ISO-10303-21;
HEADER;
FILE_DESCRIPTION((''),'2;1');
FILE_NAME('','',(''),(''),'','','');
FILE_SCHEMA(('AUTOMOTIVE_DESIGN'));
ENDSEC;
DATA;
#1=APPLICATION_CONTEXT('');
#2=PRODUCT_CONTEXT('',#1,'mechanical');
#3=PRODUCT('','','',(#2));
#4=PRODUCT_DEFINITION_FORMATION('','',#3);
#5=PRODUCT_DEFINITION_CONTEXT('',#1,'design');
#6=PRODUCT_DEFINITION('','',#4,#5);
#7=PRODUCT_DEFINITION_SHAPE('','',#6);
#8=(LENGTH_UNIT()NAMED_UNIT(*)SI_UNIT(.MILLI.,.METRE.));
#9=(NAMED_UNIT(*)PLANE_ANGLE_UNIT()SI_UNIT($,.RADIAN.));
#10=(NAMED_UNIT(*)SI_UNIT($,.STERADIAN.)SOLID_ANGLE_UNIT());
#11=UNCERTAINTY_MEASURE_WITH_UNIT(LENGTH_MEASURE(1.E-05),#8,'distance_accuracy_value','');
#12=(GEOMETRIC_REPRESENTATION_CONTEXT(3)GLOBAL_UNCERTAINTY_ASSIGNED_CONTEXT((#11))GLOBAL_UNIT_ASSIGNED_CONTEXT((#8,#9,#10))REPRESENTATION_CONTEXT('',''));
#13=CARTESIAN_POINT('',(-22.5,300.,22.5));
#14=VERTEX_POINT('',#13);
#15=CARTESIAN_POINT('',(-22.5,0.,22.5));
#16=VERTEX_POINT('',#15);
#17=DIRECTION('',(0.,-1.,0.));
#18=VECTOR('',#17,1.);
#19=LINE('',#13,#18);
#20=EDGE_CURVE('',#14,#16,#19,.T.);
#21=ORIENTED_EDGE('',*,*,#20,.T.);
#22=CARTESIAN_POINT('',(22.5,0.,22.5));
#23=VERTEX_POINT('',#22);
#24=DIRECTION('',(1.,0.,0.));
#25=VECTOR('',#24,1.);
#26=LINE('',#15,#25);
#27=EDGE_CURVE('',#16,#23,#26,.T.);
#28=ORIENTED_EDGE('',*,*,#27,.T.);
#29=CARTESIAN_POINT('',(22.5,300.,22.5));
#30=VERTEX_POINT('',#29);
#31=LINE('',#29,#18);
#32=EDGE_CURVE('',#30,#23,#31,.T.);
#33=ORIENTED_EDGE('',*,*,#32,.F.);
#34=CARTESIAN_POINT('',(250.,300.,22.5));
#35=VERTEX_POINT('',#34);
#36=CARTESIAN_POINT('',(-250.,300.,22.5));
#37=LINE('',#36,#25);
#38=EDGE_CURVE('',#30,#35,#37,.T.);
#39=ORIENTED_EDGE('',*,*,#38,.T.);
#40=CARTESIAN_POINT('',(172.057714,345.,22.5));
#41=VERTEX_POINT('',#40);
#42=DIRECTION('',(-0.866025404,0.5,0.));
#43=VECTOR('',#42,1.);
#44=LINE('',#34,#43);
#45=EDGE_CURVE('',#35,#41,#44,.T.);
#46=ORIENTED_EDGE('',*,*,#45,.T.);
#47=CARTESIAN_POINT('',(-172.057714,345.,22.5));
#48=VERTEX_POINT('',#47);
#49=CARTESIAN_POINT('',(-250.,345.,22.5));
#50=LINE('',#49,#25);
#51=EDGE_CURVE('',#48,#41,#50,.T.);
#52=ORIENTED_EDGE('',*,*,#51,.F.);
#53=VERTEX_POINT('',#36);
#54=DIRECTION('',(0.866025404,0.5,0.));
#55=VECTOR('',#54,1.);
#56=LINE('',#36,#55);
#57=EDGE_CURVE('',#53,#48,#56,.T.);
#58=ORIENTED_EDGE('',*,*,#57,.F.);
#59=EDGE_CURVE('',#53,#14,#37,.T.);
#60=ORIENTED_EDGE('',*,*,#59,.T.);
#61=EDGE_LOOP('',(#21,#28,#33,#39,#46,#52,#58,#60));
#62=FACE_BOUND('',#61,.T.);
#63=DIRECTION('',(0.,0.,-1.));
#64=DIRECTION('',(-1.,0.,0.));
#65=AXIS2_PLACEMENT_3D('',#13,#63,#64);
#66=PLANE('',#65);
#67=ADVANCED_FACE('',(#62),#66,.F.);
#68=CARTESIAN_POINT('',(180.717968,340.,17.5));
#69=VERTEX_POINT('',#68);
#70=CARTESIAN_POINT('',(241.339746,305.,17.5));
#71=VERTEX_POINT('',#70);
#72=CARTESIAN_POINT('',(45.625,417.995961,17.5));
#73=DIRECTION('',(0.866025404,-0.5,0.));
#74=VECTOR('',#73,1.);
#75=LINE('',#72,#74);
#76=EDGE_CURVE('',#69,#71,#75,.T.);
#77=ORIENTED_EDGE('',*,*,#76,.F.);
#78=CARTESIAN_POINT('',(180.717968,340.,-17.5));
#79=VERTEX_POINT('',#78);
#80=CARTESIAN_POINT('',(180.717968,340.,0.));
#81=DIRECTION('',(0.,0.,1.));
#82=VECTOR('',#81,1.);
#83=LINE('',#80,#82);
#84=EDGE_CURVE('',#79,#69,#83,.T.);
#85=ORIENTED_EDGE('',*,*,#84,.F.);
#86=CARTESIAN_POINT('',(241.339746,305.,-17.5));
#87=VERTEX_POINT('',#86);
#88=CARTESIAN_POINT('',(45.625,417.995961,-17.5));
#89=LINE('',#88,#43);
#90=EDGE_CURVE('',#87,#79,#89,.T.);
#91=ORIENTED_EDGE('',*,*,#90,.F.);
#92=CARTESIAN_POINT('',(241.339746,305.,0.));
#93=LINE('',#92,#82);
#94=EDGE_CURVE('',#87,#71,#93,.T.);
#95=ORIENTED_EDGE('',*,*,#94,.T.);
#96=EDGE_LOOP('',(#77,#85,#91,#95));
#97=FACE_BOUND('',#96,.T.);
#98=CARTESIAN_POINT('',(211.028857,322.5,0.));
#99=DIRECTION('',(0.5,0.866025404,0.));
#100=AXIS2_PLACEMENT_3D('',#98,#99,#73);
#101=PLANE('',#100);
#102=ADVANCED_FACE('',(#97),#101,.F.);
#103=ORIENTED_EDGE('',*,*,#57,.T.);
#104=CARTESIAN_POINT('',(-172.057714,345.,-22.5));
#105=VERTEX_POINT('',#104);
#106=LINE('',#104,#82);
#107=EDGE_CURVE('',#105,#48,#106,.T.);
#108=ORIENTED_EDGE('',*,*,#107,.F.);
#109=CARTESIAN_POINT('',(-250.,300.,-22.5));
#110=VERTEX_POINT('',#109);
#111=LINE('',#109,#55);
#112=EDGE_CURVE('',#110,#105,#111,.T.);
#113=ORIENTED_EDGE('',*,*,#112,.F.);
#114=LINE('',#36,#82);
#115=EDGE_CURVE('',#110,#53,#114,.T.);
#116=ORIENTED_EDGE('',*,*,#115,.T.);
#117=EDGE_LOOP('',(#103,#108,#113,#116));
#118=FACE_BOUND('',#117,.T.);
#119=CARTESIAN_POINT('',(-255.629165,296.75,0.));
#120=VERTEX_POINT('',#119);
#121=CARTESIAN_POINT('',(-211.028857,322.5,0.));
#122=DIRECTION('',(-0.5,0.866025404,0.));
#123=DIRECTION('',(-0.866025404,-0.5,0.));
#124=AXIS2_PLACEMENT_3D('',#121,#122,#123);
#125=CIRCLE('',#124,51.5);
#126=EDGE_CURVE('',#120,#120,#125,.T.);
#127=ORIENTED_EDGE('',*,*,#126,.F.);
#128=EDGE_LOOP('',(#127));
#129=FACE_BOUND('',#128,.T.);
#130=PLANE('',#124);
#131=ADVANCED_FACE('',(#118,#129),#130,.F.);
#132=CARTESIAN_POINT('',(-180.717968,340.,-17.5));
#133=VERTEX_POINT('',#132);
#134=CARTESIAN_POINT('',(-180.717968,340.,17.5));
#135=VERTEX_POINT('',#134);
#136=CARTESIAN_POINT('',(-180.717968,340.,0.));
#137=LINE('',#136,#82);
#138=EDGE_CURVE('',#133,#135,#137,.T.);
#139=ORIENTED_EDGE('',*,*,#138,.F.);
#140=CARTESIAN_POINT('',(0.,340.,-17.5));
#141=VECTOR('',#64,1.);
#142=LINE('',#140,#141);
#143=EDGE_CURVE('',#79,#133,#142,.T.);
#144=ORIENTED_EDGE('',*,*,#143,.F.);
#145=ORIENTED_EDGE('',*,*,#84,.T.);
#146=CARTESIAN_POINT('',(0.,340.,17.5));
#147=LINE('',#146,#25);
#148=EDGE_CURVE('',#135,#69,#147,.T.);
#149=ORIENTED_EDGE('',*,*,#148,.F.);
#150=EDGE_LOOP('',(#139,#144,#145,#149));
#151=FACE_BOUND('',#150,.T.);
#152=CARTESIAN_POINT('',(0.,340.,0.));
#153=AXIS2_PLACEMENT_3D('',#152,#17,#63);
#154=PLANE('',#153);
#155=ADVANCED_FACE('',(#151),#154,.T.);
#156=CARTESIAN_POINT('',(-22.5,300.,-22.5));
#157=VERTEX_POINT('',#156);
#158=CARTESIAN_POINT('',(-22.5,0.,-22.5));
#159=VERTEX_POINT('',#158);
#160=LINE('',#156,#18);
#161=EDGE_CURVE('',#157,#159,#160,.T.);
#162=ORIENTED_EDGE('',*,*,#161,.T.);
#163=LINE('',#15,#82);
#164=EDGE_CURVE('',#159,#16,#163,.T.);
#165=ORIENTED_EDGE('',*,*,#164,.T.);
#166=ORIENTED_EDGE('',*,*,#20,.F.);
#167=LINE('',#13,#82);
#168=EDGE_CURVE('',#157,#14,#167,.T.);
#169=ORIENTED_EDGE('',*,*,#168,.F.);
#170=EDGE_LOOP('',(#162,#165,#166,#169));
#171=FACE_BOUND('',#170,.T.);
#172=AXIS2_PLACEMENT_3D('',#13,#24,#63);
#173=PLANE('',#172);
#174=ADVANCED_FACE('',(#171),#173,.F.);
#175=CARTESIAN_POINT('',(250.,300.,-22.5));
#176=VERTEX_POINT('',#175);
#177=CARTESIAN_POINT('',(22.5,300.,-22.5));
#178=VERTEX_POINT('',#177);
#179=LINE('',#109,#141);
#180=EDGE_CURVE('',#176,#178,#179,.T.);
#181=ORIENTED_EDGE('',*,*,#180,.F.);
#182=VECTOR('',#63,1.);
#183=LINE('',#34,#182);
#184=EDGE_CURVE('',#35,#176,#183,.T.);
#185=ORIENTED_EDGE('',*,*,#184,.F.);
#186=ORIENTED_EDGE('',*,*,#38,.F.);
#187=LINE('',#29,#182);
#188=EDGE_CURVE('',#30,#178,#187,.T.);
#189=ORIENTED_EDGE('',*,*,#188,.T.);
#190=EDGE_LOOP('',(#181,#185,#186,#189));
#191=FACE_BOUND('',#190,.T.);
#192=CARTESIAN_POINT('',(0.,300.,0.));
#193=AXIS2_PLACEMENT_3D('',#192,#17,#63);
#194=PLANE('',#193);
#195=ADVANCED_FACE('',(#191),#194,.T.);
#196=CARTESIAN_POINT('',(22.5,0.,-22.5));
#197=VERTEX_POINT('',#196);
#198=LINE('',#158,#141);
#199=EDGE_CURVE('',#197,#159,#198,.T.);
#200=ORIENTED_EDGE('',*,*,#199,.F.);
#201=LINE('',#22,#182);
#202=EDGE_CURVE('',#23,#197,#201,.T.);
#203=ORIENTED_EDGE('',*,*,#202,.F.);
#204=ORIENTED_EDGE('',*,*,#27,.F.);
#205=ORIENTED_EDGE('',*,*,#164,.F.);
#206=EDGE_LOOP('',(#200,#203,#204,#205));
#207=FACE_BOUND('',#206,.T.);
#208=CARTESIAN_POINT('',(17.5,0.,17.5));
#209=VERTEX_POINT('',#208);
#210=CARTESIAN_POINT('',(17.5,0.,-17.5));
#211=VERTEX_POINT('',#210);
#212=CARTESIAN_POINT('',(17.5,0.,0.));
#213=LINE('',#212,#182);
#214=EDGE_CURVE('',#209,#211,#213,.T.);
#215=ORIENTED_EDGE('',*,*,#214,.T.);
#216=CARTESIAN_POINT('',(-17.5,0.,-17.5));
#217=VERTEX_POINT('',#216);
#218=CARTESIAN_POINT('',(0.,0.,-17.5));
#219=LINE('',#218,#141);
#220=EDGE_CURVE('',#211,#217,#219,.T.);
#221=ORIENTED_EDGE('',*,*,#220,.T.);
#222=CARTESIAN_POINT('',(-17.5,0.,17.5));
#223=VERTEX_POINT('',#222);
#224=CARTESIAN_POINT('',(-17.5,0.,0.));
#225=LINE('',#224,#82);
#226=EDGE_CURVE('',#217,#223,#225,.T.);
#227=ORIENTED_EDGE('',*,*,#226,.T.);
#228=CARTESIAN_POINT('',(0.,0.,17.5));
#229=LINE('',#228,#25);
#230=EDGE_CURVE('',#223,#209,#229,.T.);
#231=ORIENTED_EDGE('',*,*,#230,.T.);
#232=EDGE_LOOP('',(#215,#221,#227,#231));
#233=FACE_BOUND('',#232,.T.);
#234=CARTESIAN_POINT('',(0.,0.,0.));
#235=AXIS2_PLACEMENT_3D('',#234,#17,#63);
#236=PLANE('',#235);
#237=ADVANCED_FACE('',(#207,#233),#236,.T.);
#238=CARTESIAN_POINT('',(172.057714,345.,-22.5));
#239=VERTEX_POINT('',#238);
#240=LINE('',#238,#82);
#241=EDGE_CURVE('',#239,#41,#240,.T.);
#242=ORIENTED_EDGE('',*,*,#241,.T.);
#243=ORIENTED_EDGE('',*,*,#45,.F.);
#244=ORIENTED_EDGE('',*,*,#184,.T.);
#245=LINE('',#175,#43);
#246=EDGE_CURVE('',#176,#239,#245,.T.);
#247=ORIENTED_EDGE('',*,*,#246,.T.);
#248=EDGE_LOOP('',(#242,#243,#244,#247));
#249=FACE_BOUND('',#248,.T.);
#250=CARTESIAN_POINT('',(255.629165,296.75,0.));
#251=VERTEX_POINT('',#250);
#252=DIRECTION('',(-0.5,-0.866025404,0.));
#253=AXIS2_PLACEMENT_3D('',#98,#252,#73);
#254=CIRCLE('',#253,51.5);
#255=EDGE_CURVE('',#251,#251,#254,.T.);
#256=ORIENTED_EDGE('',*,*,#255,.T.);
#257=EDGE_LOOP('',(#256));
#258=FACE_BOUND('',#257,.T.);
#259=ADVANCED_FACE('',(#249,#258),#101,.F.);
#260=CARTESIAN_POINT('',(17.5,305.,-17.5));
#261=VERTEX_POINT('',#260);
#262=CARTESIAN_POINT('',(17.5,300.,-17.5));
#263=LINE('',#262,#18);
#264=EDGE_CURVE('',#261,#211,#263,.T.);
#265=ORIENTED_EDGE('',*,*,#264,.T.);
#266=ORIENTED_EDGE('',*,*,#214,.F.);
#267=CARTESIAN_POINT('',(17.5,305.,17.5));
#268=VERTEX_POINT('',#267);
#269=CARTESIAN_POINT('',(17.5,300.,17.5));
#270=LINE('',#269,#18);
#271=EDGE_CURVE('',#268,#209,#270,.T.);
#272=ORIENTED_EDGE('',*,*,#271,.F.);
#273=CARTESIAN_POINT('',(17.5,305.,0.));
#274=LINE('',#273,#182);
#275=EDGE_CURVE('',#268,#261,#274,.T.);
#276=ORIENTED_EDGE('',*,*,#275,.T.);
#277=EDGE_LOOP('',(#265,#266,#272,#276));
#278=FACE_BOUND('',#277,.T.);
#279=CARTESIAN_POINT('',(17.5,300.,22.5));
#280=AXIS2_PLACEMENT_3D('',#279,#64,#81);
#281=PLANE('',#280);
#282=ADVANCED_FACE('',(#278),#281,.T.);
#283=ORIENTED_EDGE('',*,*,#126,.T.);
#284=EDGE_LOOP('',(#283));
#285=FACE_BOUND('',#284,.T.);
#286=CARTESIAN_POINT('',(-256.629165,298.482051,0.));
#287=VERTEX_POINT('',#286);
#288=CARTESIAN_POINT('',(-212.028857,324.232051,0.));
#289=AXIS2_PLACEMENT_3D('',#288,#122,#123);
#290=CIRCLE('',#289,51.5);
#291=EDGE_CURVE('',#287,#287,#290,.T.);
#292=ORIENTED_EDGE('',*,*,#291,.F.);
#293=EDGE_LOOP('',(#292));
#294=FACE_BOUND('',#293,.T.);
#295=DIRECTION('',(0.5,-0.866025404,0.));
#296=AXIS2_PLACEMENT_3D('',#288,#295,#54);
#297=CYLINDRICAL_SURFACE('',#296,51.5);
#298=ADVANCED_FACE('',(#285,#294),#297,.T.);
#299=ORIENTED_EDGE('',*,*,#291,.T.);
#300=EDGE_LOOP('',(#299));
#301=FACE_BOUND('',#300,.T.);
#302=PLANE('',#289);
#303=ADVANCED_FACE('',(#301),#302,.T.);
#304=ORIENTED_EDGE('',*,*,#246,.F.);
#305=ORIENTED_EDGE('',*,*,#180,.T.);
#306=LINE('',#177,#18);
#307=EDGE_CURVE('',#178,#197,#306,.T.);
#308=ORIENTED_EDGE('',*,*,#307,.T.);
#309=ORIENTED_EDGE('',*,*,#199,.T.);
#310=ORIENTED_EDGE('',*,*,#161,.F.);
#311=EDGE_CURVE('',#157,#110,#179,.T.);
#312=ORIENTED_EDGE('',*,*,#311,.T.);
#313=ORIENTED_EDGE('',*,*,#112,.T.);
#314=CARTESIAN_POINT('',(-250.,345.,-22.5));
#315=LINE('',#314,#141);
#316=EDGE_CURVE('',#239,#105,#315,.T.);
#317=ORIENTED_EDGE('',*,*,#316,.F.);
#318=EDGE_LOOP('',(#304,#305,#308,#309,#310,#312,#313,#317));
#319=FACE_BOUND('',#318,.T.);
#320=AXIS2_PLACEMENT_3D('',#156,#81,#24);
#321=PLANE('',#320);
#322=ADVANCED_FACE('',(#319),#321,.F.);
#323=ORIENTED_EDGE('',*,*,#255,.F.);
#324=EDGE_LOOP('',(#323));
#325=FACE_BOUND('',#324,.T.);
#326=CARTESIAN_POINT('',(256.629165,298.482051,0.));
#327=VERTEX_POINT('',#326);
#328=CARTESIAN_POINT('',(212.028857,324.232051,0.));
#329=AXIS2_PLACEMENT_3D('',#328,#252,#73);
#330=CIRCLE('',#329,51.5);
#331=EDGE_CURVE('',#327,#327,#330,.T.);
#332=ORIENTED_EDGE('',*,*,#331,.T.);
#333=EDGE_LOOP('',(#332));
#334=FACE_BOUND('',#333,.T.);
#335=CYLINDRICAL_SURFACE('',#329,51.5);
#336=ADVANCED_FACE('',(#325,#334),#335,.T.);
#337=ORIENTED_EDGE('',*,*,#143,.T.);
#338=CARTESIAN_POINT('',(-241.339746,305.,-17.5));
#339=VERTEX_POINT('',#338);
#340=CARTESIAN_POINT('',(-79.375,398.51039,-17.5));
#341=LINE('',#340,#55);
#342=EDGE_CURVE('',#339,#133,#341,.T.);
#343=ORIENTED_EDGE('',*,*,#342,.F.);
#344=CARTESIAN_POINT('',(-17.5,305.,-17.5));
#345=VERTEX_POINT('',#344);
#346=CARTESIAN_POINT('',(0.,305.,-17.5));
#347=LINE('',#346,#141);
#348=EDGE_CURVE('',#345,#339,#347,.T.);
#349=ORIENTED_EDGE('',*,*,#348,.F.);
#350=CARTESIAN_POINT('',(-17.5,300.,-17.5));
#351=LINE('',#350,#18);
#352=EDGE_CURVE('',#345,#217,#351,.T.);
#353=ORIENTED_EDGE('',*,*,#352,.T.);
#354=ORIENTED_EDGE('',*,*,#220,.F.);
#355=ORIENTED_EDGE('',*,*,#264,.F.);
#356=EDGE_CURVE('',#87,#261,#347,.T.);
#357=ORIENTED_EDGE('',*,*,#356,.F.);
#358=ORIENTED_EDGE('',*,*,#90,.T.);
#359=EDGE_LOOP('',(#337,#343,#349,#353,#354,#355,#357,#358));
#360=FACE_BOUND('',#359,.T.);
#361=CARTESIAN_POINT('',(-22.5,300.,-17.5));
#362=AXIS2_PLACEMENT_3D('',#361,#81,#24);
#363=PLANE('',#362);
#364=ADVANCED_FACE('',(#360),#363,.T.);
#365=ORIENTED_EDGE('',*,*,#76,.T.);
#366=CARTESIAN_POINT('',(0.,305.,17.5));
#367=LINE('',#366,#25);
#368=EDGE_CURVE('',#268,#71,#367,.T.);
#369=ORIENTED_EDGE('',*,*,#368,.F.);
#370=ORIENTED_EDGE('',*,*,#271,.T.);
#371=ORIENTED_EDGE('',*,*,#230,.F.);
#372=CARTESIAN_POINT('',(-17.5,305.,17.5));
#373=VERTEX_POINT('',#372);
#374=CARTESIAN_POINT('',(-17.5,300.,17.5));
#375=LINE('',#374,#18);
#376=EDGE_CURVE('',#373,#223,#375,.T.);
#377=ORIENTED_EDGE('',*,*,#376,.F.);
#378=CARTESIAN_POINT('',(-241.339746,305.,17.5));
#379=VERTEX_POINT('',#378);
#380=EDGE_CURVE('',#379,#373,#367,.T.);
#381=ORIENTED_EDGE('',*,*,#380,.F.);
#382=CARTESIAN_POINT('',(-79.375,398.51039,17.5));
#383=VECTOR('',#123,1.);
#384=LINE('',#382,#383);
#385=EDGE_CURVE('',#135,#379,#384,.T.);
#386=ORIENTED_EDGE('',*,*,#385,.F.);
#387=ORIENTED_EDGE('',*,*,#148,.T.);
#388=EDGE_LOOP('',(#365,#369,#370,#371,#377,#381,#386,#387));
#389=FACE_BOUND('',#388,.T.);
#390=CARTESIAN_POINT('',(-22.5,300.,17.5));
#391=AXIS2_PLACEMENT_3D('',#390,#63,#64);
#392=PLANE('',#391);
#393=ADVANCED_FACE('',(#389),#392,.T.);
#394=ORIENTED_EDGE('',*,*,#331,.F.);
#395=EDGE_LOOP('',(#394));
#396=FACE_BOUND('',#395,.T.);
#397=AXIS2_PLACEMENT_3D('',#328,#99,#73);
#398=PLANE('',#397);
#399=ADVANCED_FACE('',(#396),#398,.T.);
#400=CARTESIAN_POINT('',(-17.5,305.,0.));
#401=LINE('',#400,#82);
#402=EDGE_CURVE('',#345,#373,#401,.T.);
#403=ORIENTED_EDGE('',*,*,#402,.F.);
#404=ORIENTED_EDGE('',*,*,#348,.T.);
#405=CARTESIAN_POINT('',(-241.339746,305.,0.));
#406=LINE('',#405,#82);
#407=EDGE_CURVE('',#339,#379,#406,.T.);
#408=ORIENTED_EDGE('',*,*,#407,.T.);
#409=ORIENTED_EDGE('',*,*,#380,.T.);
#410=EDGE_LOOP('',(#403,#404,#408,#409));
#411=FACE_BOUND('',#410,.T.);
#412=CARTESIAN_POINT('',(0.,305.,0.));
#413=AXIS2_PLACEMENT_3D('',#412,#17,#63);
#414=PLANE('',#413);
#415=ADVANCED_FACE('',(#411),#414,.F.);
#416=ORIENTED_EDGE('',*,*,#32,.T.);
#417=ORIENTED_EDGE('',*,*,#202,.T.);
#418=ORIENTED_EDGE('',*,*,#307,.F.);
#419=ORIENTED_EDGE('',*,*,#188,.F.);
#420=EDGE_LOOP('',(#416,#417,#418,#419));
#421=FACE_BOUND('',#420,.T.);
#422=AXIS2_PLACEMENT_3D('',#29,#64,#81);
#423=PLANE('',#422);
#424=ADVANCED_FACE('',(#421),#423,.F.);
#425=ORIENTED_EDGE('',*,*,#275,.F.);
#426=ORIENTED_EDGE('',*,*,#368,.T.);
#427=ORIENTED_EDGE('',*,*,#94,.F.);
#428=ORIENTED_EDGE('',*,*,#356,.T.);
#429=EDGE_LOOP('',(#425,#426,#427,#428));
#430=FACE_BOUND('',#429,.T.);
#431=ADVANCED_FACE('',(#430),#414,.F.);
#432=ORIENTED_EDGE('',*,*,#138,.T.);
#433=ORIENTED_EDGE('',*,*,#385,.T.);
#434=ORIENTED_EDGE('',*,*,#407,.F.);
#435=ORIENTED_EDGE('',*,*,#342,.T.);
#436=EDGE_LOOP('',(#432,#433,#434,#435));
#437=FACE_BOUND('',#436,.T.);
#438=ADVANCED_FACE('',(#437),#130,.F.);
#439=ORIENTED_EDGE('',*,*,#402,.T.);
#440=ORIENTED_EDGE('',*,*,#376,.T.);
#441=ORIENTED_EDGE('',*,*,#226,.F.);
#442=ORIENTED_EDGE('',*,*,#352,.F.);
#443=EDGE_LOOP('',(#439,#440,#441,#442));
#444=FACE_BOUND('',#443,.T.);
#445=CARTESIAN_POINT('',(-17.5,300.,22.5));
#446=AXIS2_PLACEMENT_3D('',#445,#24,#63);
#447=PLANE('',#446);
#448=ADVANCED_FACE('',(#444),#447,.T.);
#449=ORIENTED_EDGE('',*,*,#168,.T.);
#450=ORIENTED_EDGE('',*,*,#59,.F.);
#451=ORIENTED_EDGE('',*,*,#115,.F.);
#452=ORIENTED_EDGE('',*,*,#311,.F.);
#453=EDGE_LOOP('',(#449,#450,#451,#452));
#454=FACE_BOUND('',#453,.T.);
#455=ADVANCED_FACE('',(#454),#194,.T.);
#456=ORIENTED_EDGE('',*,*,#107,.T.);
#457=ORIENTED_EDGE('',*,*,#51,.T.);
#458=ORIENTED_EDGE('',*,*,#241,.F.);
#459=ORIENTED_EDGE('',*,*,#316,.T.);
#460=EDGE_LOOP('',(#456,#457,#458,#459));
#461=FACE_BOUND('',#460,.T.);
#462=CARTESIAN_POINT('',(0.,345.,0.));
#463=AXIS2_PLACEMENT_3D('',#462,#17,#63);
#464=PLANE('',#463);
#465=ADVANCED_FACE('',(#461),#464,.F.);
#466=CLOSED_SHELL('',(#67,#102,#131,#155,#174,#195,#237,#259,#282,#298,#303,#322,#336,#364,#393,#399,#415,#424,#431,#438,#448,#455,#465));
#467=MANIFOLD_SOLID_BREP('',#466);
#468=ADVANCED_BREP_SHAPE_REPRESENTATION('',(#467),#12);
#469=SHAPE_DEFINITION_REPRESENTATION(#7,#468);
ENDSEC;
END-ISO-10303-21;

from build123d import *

# Parameters (mm, degrees)
SKETCH1_W           = 45
SKETCH1_H           = 45
BOSS_EXTRUDE1_DEPTH = 300
SKETCH2_W           = 500
SKETCH2_H           = 45
BOSS_EXTRUDE2_DEPTH = 45
SHELL2_T            = -5
CUT_EXTRUDE1_DEPTH  = 45
SKETCH5_R           = 51.5
BOSS_EXTRUDE3_DEPTH = 2


with BuildPart() as part:
    # Sketch1 → Boss-Extrude1 (new body)
    with BuildSketch(Plane(origin=(0, 0, 0), x_dir=(1, 0, 0), z_dir=(0, 1, 0))):
        Rectangle(SKETCH1_W, SKETCH1_H)
    extrude(amount=BOSS_EXTRUDE1_DEPTH)

    # Sketch2 → Boss-Extrude2 (add)
    with BuildSketch(Plane(origin=(0, 300, 0), x_dir=(1, 0, 0), z_dir=(0, 1, 0))):
        Rectangle(SKETCH2_W, SKETCH2_H)
    extrude(amount=BOSS_EXTRUDE2_DEPTH)

    # Shell2
    shell2_openings = [part.faces().sort_by_distance(p)[0] for p in [
        (250, 322.5, 0),
        (-250, 322.5, 0),
        (0, 0, 0),
    ]]
    offset(amount=SHELL2_T, openings=shell2_openings, kind=Kind.INTERSECTION)

    # Sketch4 → Cut-Extrude1 (cut)
    with BuildSketch(Plane.XY.offset(22.5)):
        Polygon((-250, 300), (-172.057713659, 345), (-187.263807884, 591.817806189), (-292.402197695, 585.340379431), (-265.544239109, 495.362755895), align=None)
    cut_extrude1 = extrude(amount=-CUT_EXTRUDE1_DEPTH, mode=Mode.SUBTRACT)

    # Sketch5 → Boss-Extrude3 (add)
    with BuildSketch(Plane(origin=(-192.403810568, 333.253175473, 0), x_dir=(0.8660254037844376, 0.500000000000002, 0), z_dir=(-0.5000000000000019, 0.8660254037844375, 0))):
        with Locations(Location((-21.506350946, 0, 0), (0, 0, 180))):
            Circle(SKETCH5_R)
    boss_extrude3 = extrude(amount=BOSS_EXTRUDE3_DEPTH)

    # Mirror1: Cut-Extrude1, Boss-Extrude3 across plane
    add(cut_extrude1.mirror(Plane(origin=(0, 0, 0), x_dir=(0, 0, 1), z_dir=(1, 0, 0))), mode=Mode.SUBTRACT)
    add(boss_extrude3.mirror(Plane(origin=(0, 0, 0), x_dir=(0, 0, 1), z_dir=(1, 0, 0))))


solid = part.part
